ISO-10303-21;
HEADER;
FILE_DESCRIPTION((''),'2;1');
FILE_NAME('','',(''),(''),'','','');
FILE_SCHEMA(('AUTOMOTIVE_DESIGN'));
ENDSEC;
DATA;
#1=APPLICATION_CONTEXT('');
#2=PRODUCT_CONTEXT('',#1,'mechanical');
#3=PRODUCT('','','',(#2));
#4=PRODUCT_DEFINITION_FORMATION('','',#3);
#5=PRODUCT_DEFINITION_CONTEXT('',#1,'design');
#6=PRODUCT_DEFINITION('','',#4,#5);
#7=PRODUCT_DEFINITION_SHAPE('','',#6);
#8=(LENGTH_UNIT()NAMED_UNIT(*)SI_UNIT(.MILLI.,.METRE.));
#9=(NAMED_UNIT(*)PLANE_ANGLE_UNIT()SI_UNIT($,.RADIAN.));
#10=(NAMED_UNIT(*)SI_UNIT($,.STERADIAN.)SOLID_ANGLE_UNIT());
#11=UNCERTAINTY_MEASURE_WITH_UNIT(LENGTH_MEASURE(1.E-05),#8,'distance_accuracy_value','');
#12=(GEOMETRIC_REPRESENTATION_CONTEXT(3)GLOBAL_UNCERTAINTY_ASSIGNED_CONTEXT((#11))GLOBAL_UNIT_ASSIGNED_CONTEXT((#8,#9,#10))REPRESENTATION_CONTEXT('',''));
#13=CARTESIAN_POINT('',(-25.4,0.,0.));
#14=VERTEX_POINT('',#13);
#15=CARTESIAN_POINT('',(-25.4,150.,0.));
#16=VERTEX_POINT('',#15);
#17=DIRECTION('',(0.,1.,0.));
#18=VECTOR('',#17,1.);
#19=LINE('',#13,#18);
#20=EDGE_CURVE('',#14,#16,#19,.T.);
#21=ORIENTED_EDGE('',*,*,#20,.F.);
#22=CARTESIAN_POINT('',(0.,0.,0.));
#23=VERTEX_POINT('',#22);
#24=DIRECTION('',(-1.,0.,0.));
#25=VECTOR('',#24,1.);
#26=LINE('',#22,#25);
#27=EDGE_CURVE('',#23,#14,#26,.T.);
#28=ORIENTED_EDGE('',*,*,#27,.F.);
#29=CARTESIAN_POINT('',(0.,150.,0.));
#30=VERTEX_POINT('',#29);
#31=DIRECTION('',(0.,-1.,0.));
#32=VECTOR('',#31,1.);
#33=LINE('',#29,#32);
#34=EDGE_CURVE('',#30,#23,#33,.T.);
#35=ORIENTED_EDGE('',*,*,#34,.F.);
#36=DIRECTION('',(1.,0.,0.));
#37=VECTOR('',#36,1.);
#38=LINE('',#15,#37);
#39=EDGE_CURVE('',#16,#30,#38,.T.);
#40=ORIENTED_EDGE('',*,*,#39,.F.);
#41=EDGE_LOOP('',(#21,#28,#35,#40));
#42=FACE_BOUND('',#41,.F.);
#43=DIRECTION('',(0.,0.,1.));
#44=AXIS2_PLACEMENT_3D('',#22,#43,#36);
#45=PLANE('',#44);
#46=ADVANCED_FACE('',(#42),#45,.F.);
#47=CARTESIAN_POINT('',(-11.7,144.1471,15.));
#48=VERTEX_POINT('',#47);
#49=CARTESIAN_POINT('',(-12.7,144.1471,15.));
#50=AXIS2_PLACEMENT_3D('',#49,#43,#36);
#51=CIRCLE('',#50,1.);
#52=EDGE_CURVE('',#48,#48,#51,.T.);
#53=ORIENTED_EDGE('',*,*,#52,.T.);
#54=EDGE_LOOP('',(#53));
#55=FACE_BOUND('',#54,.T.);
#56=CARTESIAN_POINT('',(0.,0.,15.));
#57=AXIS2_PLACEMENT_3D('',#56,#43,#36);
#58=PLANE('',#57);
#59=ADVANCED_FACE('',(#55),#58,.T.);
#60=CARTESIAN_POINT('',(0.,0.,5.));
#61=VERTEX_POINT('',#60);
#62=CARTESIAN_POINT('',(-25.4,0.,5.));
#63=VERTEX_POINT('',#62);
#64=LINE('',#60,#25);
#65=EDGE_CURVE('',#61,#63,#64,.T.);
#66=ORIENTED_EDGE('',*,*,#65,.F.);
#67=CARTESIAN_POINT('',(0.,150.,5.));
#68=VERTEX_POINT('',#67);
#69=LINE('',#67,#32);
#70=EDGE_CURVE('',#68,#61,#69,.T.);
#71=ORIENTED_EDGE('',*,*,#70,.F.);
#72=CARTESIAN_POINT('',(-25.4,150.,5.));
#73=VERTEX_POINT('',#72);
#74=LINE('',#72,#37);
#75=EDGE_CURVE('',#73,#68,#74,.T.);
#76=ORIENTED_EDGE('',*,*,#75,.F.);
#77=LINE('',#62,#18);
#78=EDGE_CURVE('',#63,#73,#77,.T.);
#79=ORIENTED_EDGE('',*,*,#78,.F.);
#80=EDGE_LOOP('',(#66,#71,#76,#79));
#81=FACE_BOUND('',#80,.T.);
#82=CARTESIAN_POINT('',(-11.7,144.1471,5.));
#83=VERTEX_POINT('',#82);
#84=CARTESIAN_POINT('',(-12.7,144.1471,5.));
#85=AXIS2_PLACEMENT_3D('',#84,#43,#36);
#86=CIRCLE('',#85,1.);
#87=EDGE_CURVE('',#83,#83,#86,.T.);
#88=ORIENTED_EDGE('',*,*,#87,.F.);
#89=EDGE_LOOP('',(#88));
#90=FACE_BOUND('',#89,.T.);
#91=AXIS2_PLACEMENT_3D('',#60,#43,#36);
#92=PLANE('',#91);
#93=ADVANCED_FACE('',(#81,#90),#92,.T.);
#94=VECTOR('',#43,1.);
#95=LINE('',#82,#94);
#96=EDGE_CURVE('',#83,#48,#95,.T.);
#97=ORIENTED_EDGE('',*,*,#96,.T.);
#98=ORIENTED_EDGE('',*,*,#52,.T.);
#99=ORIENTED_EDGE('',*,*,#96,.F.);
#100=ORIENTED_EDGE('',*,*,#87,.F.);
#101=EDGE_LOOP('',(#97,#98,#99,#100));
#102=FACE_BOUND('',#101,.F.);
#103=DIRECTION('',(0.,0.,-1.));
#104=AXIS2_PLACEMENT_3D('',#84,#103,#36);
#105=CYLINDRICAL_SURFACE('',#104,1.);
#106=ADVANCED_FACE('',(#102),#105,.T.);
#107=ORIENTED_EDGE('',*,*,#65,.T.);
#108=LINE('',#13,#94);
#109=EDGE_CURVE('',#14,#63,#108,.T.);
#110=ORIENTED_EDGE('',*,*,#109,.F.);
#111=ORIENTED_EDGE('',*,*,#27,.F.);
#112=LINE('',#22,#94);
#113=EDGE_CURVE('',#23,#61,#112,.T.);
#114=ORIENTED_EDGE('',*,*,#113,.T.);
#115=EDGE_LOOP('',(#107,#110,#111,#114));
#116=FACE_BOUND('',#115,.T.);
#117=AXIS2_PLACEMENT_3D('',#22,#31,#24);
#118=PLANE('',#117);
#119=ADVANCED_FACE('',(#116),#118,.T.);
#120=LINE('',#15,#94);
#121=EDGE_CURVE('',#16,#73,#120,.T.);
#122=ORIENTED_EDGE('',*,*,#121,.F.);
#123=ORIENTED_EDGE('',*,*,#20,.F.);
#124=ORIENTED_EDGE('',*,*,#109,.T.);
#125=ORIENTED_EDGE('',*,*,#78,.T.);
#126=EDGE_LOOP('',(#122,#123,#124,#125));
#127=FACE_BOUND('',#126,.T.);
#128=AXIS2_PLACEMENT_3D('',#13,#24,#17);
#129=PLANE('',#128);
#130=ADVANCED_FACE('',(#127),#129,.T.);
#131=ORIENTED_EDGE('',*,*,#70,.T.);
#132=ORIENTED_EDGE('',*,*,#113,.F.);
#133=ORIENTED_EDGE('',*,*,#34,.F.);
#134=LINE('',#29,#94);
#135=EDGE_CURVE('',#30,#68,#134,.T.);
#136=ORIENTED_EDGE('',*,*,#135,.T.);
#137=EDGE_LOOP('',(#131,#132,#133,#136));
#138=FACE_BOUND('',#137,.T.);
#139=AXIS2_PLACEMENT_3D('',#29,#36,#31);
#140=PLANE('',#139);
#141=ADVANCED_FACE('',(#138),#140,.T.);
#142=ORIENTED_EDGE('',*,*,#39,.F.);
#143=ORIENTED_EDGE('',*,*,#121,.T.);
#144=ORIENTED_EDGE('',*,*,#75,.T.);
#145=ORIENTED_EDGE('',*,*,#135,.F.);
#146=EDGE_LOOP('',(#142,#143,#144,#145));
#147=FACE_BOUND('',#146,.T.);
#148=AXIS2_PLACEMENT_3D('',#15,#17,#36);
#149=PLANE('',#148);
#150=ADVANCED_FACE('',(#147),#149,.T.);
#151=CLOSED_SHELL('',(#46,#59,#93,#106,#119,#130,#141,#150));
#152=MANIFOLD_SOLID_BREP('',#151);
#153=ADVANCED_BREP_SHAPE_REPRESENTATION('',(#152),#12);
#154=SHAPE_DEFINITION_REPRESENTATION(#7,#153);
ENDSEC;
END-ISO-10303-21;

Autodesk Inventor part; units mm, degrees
ref_plane "YZ Plane" through (0, 0, 0) normal (1, 0, 0) x (0, 1, 0)
ref_plane "XZ Plane" through (0, 0, 0) normal (0, 1, 0) x (-1, 0, 0)
ref_plane "XY Plane" through (0, 0, 0) normal (0, 0, 1) x (1, 0, 0)
sketch "Sketch1" plane through (0, 0, 0) normal (0, 0, 1) x (1, 0, 0)
  line L0 (0, 0) -> (-25.4, 0)
  line L1 (-25.4, 0) -> (-25.4, 150)
  line L2 (-25.4, 150) -> (0, 150)
  line L3 (0, 150) -> (0, 0)
  dimension "d0" = 25.4
  dimension "d1" = 150
extrude "Extrusion1" add sketch "Sketch1" along normal blind 5
sketch "Sketch2" plane through (0, 0, 5) normal (0, 0, 1) x (1, 0, 0)
  circle A0 centre (-12.7, 144.1471) radius 1
  line L0 (0, 0) -> (0, 150) projected
  dimension "d4" = 2
  dimension "d5" = 12.7
extrude "Extrusion2" add sketch "Sketch2" along normal blind 10
properties part number "stand"
